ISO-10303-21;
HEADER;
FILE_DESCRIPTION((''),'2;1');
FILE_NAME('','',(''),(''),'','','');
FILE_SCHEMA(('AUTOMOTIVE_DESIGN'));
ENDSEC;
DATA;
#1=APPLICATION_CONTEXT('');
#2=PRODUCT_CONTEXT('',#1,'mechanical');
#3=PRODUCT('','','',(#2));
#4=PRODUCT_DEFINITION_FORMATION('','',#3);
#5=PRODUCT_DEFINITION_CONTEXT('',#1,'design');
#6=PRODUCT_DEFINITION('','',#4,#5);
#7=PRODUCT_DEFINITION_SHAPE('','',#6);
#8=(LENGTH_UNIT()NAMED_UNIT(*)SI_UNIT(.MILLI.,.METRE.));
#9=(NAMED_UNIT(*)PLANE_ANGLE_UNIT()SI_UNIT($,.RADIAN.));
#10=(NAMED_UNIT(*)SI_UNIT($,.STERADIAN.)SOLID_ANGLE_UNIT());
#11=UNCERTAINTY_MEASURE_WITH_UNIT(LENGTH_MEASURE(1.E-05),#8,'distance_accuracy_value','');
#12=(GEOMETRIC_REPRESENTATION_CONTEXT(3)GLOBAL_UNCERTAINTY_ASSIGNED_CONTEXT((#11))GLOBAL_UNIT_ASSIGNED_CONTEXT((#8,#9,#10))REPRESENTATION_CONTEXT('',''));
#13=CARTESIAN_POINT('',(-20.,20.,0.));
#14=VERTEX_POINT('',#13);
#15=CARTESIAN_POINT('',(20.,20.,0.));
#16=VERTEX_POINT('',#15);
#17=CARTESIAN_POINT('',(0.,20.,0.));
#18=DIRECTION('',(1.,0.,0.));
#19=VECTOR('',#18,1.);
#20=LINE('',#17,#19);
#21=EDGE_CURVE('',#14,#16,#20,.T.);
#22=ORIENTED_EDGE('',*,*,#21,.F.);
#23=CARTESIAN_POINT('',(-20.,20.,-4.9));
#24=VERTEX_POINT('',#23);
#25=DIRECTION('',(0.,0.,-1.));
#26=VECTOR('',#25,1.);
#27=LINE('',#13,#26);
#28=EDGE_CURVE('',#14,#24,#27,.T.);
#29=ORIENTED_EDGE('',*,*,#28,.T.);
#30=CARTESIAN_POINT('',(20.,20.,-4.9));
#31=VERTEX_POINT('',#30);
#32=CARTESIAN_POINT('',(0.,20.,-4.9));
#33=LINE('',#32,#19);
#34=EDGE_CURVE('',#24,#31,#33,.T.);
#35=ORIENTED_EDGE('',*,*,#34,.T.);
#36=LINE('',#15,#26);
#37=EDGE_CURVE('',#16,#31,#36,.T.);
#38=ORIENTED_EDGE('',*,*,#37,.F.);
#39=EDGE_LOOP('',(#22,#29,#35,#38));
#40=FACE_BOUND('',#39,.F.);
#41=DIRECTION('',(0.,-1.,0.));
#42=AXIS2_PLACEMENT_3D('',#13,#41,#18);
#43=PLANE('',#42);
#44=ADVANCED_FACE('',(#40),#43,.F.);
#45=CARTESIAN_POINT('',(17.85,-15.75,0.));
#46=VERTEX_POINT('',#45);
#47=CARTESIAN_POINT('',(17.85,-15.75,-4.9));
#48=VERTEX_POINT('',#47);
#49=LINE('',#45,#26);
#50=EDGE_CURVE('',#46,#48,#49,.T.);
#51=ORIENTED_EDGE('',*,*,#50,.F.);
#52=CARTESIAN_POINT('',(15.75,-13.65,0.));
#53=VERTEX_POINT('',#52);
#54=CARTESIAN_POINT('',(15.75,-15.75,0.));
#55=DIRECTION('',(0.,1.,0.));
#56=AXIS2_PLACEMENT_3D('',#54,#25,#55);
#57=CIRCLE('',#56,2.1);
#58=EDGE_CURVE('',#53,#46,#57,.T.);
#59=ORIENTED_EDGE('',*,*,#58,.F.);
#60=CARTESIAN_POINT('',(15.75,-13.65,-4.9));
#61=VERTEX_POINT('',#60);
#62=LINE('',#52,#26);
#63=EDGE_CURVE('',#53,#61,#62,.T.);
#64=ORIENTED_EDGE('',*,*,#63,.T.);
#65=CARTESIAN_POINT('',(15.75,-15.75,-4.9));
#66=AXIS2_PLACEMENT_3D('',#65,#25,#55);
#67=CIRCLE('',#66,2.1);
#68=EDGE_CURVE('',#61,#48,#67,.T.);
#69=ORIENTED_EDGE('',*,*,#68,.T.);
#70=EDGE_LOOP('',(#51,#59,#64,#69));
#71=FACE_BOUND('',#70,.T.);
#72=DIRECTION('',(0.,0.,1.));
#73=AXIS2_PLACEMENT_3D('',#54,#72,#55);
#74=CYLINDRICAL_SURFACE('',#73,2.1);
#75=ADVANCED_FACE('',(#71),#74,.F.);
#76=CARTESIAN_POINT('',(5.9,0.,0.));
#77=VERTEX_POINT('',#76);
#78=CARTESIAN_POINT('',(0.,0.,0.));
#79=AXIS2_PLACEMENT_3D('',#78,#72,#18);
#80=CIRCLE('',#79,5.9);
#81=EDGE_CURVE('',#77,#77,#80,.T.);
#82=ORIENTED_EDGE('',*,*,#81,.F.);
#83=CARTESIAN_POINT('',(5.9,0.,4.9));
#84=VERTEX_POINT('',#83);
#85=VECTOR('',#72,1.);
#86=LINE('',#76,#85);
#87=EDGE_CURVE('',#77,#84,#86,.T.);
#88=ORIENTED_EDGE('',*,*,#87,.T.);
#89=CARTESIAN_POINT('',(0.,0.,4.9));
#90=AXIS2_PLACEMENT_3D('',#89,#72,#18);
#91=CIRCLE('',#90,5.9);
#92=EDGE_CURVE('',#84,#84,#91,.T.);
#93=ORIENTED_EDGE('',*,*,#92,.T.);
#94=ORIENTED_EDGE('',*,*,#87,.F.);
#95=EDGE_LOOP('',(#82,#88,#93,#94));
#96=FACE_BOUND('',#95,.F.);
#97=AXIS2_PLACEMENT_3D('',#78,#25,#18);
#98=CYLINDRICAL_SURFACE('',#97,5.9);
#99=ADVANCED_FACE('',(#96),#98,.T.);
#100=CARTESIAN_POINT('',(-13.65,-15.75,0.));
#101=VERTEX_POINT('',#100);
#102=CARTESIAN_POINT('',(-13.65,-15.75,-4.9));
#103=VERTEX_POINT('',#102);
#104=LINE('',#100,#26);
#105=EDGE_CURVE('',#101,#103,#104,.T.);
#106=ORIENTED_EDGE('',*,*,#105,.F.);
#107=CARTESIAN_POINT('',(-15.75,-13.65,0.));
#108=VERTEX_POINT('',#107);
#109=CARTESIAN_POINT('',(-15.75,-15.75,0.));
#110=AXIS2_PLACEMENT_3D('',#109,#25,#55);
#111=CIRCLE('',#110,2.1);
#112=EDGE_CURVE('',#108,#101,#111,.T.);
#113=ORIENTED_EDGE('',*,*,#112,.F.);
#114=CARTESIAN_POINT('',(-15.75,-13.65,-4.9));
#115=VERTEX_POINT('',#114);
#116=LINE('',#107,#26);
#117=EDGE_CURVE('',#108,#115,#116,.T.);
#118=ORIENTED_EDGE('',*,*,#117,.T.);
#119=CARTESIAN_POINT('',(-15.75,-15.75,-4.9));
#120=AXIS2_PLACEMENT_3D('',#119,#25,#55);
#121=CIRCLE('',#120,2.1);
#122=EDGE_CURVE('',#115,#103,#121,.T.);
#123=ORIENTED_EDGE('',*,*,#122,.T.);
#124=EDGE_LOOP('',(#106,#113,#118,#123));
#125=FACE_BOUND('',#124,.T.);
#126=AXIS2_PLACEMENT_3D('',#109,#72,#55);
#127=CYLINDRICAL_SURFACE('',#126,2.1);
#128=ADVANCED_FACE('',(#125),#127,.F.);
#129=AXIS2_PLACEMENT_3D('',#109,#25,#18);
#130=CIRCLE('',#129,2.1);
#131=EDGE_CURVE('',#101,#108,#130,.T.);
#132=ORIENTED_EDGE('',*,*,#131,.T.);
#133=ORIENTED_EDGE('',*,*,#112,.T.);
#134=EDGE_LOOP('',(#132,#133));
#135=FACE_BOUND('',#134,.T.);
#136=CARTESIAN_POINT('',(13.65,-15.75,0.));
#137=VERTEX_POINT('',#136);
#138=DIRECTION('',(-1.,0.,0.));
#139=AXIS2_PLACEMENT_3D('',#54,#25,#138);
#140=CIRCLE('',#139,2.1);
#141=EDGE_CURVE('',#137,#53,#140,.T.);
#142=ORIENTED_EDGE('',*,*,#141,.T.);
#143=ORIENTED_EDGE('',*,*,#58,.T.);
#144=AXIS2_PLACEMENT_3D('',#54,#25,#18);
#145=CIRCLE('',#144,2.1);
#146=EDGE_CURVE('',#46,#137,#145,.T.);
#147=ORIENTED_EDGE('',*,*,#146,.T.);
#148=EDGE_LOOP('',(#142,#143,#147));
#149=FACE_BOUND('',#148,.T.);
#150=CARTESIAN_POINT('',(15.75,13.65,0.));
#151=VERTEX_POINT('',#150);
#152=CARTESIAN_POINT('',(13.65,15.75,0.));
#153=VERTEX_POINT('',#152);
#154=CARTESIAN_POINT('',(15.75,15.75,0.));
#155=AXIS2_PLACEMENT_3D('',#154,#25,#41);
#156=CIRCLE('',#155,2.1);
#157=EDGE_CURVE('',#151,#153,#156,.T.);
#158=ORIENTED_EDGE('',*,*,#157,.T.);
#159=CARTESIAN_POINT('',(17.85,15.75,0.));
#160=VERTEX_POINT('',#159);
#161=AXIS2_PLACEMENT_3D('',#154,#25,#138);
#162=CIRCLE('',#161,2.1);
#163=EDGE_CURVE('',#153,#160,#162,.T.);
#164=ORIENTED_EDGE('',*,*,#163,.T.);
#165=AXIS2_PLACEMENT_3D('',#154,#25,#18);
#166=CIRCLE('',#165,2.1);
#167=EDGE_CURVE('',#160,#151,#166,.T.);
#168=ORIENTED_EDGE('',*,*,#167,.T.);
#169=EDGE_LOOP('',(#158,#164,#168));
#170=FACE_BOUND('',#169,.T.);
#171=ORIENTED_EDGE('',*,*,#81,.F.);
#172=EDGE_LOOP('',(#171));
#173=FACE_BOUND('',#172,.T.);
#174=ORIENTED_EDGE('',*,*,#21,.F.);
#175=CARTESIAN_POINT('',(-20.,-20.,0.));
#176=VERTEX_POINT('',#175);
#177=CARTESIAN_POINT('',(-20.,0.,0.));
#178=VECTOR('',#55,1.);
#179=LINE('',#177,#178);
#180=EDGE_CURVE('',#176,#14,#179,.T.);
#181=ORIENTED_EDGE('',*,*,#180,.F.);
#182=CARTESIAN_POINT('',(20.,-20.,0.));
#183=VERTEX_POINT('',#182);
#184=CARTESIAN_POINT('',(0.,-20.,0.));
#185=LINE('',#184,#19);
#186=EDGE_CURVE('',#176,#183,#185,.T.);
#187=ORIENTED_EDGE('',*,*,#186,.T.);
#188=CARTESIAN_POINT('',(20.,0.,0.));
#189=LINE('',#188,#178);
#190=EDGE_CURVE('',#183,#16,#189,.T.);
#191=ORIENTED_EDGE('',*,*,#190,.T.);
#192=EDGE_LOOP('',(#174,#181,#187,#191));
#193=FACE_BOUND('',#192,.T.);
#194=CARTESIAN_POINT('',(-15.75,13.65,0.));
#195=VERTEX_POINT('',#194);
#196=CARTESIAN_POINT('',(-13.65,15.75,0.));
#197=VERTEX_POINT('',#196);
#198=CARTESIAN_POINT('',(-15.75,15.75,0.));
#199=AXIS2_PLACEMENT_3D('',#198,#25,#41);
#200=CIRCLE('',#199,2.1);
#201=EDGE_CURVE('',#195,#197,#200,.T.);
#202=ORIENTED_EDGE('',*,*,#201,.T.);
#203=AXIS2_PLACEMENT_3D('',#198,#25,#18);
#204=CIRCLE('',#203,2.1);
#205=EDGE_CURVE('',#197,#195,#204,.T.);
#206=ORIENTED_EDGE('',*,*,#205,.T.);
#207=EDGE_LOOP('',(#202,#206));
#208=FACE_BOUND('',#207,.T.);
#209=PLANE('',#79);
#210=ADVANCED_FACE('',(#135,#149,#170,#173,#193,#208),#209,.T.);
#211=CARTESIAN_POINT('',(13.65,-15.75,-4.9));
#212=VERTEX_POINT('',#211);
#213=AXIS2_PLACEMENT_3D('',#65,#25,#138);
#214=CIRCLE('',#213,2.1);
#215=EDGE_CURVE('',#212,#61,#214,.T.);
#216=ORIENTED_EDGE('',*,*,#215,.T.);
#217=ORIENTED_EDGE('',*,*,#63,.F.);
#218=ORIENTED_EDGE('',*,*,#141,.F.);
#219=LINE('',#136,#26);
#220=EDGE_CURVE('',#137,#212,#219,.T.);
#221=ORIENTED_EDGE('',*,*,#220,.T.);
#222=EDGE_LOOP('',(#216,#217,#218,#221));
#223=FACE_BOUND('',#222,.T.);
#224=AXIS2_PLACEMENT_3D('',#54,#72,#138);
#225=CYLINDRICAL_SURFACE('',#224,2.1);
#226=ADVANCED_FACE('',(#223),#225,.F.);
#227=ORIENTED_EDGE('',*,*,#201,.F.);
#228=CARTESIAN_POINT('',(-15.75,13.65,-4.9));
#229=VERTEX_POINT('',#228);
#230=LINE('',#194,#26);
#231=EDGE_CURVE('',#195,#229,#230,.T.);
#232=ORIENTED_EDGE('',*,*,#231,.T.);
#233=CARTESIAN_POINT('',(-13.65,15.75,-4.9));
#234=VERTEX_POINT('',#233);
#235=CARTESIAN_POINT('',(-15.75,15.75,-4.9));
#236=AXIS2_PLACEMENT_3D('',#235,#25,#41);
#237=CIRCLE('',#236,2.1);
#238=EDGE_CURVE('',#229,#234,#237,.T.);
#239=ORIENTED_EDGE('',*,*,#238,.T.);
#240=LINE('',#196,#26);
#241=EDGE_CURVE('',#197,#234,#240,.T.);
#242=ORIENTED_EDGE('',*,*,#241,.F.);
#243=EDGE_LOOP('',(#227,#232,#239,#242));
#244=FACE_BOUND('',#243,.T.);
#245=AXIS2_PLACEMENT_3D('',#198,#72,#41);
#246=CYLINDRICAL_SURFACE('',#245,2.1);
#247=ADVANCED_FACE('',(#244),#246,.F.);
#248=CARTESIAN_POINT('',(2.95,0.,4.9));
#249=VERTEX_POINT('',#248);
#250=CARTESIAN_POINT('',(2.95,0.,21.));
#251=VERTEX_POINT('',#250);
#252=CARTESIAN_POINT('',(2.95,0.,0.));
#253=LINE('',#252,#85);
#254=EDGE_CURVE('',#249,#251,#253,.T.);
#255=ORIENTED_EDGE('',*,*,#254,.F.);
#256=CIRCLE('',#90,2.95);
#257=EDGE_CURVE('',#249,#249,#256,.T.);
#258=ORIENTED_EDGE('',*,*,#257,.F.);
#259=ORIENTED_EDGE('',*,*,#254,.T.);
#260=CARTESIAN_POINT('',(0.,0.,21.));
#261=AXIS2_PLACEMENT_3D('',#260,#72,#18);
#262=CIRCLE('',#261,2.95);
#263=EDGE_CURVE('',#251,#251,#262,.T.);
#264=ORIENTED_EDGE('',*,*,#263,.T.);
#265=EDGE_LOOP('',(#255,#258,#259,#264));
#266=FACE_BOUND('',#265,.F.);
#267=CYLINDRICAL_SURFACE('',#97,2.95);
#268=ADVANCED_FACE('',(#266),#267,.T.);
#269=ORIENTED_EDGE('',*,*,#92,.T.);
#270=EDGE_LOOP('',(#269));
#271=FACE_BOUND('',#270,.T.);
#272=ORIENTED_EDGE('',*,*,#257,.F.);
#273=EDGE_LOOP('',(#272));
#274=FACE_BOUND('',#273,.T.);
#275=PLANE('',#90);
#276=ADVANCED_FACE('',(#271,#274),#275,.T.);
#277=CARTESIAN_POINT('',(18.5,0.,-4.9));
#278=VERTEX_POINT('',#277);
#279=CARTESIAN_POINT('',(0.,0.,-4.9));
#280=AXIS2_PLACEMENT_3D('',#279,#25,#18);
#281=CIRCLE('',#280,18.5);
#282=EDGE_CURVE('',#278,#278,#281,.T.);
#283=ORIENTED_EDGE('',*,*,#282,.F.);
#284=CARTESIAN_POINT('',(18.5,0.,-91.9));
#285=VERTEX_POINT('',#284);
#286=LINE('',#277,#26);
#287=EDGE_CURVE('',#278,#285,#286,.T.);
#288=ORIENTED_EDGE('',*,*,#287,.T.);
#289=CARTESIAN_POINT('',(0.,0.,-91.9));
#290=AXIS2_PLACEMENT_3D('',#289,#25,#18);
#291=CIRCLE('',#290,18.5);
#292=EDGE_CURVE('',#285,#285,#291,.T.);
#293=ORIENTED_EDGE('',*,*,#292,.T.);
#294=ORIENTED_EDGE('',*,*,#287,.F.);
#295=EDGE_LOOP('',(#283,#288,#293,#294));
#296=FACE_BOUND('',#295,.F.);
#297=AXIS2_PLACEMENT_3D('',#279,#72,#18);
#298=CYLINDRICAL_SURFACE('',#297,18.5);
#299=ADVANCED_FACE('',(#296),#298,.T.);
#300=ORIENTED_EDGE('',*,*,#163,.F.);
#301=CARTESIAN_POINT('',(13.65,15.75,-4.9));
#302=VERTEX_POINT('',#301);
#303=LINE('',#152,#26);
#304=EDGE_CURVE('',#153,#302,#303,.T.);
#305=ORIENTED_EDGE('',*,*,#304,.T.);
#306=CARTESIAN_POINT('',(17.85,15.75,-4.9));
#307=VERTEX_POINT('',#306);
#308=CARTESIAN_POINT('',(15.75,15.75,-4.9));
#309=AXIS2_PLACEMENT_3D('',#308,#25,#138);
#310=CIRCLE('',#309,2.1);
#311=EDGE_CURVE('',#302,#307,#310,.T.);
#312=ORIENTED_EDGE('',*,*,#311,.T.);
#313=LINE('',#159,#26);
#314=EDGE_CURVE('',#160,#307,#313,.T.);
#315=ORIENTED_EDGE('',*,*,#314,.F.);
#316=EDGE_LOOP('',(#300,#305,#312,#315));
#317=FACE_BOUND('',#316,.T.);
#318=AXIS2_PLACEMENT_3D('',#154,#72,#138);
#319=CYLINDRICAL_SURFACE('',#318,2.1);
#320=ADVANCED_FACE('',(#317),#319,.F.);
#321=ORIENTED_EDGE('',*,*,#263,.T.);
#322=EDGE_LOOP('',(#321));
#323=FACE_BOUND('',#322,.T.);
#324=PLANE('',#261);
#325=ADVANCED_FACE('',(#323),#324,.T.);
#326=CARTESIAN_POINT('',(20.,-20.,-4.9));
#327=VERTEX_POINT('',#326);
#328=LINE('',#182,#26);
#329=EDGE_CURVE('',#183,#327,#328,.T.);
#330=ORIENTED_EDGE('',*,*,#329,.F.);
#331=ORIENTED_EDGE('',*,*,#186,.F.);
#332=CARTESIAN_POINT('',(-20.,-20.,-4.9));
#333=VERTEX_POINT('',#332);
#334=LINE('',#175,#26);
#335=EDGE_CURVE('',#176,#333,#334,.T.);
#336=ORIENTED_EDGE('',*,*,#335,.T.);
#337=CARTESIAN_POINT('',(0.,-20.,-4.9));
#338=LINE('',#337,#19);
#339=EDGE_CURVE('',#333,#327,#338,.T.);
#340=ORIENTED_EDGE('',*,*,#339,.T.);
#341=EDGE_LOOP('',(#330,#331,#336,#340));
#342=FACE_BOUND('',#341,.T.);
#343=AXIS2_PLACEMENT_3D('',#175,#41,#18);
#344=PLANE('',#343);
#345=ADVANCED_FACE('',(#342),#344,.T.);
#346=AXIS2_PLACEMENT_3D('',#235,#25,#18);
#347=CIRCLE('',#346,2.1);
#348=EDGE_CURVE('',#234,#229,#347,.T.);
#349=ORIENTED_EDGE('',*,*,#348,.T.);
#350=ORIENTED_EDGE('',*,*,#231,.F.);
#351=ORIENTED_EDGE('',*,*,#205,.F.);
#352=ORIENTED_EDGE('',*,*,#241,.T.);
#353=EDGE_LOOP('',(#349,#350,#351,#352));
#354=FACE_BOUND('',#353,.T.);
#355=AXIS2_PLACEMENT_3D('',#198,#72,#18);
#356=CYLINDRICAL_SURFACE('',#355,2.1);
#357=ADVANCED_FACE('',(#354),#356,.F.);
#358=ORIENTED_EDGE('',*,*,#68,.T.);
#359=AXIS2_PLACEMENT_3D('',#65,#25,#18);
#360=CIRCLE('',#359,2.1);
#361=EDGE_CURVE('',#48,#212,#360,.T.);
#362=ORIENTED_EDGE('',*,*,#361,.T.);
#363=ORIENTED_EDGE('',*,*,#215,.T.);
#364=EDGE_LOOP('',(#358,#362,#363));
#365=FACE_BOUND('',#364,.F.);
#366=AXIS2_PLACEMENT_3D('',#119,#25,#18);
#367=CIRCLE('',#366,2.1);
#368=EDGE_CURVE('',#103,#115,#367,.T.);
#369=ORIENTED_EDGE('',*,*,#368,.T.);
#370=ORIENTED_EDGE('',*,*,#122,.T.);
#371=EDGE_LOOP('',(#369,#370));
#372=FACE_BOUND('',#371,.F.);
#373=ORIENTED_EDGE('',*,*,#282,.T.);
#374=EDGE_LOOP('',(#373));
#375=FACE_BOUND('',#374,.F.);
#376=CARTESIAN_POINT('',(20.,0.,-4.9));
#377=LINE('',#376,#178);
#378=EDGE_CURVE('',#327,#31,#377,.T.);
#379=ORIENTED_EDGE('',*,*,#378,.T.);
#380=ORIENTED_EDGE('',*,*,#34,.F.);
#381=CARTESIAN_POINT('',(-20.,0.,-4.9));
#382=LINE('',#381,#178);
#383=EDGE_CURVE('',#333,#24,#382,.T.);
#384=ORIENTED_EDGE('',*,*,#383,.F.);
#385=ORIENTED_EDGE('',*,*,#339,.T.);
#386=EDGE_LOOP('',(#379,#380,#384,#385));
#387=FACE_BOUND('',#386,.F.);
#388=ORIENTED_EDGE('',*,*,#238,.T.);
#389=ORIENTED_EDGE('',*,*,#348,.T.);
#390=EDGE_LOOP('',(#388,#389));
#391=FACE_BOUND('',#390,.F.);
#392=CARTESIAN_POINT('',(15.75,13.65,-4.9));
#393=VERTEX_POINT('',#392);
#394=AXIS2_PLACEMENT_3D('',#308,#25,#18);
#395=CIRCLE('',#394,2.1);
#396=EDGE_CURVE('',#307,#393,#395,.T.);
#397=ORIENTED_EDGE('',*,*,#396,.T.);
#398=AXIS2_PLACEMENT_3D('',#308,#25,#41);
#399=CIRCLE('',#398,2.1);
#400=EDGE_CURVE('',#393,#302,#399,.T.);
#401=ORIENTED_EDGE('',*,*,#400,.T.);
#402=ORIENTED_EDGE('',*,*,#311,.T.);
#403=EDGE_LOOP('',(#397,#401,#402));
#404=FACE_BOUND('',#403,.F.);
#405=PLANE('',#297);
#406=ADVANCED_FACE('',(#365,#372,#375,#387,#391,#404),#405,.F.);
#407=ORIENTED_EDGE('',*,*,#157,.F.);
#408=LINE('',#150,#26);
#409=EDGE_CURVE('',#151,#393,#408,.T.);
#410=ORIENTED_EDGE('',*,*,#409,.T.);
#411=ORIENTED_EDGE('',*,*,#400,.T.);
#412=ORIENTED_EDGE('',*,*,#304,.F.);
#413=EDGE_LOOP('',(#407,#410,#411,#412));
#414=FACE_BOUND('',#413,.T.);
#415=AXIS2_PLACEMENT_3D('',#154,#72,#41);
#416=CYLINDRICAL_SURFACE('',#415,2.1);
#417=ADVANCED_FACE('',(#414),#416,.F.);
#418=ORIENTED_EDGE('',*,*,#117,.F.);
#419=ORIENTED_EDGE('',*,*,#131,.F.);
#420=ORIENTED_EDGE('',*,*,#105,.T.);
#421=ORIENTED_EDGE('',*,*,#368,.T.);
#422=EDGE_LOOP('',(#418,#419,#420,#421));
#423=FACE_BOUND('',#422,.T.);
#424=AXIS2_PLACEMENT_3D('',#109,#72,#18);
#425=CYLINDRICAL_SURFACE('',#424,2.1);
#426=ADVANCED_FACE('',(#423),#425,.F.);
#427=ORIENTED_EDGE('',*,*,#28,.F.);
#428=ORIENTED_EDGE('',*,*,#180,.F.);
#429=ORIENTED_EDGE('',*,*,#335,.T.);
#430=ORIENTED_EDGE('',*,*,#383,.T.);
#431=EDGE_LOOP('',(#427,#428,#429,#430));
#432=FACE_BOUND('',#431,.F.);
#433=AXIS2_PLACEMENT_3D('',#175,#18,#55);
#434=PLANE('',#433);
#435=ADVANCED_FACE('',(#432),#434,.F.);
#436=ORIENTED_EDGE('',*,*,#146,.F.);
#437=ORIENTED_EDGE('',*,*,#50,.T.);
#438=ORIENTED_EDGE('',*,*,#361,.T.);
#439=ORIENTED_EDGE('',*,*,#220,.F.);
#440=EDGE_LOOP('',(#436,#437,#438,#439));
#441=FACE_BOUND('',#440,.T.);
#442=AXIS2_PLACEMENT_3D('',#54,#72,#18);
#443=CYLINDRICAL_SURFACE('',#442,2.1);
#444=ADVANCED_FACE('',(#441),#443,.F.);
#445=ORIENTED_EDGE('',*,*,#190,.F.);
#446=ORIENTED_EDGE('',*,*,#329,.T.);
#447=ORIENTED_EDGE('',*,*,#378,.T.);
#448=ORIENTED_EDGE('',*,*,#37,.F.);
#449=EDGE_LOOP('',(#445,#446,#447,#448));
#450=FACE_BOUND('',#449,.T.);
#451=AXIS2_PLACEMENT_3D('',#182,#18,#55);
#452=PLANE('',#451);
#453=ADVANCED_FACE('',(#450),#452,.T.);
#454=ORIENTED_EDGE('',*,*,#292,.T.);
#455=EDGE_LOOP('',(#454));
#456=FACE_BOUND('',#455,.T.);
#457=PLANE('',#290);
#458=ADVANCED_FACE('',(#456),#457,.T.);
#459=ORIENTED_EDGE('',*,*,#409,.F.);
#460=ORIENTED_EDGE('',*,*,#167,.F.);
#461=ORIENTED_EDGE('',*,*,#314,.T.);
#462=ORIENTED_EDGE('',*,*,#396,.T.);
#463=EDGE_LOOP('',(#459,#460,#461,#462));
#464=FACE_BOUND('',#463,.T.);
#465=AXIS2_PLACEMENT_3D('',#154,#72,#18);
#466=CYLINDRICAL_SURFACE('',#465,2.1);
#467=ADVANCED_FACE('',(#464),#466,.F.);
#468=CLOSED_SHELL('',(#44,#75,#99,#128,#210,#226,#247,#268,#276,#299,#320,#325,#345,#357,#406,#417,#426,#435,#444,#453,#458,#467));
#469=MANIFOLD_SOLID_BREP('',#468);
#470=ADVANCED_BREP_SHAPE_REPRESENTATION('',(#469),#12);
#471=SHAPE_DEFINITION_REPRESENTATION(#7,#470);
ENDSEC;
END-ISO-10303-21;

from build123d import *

# Parameters (mm, degrees)
F0_W     = 40
F0_H     = 40
F0_R     = 5.9
F0_R_2   = 2.95
F1_DEPTH = 4.9
F2_DEPTH = 21
F3_DEPTH = 4.9
F4_R     = 18.5
F5_DEPTH = 87


with BuildPart() as f1:
    # F0 (on Top) → F1 (new body)
    with BuildSketch(Plane.XY):
        Rectangle(F0_W, F0_H)
        with BuildLine():
            ThreePointArc((-15.75, 13.65), (-17.2349242405, 17.2349242405), (-13.65, 15.75))
            Line((-13.65, 15.75), (13.65, 15.75))
            ThreePointArc((13.65, 15.75), (15.75, 17.85), (17.85, 15.75))
            ThreePointArc((17.85, 15.75), (17.2349242405, 14.2650757595), (15.75, 13.65))
            Line((15.75, 13.65), (15.75, -13.65))
            ThreePointArc((15.75, -13.65), (17.2349242405, -14.2650757595), (17.85, -15.75))
            ThreePointArc((17.85, -15.75), (15.75, -17.85), (13.65, -15.75))
            Line((13.65, -15.75), (-13.65, -15.75))
            ThreePointArc((-13.65, -15.75), (-17.2349242405, -17.2349242405), (-15.75, -13.65))
            Line((-15.75, -13.65), (-15.75, 13.65))
        make_face(mode=Mode.SUBTRACT)
        with BuildLine():
            Line((13.65, 15.75), (-13.65, 15.75))
            ThreePointArc((-13.65, 15.75), (-14.2650757595, 14.2650757595), (-15.75, 13.65))
            Line((-15.75, 13.65), (-15.75, -13.65))
            ThreePointArc((-15.75, -13.65), (-14.2650757595, -14.2650757595), (-13.65, -15.75))
            Line((-13.65, -15.75), (13.65, -15.75))
            ThreePointArc((13.65, -15.75), (14.2650757595, -14.2650757595), (15.75, -13.65))
            Line((15.75, -13.65), (15.75, 13.65))
            ThreePointArc((15.75, 13.65), (14.2650757595, 14.2650757595), (13.65, 15.75))
        make_face()
        Circle(F0_R, mode=Mode.SUBTRACT)
        Circle(F0_R)
        Circle(F0_R_2, mode=Mode.SUBTRACT)
        Circle(F0_R_2)
    extrude(amount=-F1_DEPTH)

    # F0 (on Top) → F2 (join)
    with BuildSketch(Plane.XY):
        Circle(F0_R_2)
    extrude(amount=F2_DEPTH)

    # F0 (on Top) → F3 (join)
    with BuildSketch(Plane.XY):
        Circle(F0_R)
        Circle(F0_R_2, mode=Mode.SUBTRACT)
    extrude(amount=F3_DEPTH)

    # F4 (on face) → F5 (join)
    with BuildSketch(Plane(origin=(0, 0, -4.9), x_dir=(1, 0, 0), z_dir=(0, 0, -1))):
        Circle(F4_R)
    extrude(amount=F5_DEPTH)


solid = f1.part
